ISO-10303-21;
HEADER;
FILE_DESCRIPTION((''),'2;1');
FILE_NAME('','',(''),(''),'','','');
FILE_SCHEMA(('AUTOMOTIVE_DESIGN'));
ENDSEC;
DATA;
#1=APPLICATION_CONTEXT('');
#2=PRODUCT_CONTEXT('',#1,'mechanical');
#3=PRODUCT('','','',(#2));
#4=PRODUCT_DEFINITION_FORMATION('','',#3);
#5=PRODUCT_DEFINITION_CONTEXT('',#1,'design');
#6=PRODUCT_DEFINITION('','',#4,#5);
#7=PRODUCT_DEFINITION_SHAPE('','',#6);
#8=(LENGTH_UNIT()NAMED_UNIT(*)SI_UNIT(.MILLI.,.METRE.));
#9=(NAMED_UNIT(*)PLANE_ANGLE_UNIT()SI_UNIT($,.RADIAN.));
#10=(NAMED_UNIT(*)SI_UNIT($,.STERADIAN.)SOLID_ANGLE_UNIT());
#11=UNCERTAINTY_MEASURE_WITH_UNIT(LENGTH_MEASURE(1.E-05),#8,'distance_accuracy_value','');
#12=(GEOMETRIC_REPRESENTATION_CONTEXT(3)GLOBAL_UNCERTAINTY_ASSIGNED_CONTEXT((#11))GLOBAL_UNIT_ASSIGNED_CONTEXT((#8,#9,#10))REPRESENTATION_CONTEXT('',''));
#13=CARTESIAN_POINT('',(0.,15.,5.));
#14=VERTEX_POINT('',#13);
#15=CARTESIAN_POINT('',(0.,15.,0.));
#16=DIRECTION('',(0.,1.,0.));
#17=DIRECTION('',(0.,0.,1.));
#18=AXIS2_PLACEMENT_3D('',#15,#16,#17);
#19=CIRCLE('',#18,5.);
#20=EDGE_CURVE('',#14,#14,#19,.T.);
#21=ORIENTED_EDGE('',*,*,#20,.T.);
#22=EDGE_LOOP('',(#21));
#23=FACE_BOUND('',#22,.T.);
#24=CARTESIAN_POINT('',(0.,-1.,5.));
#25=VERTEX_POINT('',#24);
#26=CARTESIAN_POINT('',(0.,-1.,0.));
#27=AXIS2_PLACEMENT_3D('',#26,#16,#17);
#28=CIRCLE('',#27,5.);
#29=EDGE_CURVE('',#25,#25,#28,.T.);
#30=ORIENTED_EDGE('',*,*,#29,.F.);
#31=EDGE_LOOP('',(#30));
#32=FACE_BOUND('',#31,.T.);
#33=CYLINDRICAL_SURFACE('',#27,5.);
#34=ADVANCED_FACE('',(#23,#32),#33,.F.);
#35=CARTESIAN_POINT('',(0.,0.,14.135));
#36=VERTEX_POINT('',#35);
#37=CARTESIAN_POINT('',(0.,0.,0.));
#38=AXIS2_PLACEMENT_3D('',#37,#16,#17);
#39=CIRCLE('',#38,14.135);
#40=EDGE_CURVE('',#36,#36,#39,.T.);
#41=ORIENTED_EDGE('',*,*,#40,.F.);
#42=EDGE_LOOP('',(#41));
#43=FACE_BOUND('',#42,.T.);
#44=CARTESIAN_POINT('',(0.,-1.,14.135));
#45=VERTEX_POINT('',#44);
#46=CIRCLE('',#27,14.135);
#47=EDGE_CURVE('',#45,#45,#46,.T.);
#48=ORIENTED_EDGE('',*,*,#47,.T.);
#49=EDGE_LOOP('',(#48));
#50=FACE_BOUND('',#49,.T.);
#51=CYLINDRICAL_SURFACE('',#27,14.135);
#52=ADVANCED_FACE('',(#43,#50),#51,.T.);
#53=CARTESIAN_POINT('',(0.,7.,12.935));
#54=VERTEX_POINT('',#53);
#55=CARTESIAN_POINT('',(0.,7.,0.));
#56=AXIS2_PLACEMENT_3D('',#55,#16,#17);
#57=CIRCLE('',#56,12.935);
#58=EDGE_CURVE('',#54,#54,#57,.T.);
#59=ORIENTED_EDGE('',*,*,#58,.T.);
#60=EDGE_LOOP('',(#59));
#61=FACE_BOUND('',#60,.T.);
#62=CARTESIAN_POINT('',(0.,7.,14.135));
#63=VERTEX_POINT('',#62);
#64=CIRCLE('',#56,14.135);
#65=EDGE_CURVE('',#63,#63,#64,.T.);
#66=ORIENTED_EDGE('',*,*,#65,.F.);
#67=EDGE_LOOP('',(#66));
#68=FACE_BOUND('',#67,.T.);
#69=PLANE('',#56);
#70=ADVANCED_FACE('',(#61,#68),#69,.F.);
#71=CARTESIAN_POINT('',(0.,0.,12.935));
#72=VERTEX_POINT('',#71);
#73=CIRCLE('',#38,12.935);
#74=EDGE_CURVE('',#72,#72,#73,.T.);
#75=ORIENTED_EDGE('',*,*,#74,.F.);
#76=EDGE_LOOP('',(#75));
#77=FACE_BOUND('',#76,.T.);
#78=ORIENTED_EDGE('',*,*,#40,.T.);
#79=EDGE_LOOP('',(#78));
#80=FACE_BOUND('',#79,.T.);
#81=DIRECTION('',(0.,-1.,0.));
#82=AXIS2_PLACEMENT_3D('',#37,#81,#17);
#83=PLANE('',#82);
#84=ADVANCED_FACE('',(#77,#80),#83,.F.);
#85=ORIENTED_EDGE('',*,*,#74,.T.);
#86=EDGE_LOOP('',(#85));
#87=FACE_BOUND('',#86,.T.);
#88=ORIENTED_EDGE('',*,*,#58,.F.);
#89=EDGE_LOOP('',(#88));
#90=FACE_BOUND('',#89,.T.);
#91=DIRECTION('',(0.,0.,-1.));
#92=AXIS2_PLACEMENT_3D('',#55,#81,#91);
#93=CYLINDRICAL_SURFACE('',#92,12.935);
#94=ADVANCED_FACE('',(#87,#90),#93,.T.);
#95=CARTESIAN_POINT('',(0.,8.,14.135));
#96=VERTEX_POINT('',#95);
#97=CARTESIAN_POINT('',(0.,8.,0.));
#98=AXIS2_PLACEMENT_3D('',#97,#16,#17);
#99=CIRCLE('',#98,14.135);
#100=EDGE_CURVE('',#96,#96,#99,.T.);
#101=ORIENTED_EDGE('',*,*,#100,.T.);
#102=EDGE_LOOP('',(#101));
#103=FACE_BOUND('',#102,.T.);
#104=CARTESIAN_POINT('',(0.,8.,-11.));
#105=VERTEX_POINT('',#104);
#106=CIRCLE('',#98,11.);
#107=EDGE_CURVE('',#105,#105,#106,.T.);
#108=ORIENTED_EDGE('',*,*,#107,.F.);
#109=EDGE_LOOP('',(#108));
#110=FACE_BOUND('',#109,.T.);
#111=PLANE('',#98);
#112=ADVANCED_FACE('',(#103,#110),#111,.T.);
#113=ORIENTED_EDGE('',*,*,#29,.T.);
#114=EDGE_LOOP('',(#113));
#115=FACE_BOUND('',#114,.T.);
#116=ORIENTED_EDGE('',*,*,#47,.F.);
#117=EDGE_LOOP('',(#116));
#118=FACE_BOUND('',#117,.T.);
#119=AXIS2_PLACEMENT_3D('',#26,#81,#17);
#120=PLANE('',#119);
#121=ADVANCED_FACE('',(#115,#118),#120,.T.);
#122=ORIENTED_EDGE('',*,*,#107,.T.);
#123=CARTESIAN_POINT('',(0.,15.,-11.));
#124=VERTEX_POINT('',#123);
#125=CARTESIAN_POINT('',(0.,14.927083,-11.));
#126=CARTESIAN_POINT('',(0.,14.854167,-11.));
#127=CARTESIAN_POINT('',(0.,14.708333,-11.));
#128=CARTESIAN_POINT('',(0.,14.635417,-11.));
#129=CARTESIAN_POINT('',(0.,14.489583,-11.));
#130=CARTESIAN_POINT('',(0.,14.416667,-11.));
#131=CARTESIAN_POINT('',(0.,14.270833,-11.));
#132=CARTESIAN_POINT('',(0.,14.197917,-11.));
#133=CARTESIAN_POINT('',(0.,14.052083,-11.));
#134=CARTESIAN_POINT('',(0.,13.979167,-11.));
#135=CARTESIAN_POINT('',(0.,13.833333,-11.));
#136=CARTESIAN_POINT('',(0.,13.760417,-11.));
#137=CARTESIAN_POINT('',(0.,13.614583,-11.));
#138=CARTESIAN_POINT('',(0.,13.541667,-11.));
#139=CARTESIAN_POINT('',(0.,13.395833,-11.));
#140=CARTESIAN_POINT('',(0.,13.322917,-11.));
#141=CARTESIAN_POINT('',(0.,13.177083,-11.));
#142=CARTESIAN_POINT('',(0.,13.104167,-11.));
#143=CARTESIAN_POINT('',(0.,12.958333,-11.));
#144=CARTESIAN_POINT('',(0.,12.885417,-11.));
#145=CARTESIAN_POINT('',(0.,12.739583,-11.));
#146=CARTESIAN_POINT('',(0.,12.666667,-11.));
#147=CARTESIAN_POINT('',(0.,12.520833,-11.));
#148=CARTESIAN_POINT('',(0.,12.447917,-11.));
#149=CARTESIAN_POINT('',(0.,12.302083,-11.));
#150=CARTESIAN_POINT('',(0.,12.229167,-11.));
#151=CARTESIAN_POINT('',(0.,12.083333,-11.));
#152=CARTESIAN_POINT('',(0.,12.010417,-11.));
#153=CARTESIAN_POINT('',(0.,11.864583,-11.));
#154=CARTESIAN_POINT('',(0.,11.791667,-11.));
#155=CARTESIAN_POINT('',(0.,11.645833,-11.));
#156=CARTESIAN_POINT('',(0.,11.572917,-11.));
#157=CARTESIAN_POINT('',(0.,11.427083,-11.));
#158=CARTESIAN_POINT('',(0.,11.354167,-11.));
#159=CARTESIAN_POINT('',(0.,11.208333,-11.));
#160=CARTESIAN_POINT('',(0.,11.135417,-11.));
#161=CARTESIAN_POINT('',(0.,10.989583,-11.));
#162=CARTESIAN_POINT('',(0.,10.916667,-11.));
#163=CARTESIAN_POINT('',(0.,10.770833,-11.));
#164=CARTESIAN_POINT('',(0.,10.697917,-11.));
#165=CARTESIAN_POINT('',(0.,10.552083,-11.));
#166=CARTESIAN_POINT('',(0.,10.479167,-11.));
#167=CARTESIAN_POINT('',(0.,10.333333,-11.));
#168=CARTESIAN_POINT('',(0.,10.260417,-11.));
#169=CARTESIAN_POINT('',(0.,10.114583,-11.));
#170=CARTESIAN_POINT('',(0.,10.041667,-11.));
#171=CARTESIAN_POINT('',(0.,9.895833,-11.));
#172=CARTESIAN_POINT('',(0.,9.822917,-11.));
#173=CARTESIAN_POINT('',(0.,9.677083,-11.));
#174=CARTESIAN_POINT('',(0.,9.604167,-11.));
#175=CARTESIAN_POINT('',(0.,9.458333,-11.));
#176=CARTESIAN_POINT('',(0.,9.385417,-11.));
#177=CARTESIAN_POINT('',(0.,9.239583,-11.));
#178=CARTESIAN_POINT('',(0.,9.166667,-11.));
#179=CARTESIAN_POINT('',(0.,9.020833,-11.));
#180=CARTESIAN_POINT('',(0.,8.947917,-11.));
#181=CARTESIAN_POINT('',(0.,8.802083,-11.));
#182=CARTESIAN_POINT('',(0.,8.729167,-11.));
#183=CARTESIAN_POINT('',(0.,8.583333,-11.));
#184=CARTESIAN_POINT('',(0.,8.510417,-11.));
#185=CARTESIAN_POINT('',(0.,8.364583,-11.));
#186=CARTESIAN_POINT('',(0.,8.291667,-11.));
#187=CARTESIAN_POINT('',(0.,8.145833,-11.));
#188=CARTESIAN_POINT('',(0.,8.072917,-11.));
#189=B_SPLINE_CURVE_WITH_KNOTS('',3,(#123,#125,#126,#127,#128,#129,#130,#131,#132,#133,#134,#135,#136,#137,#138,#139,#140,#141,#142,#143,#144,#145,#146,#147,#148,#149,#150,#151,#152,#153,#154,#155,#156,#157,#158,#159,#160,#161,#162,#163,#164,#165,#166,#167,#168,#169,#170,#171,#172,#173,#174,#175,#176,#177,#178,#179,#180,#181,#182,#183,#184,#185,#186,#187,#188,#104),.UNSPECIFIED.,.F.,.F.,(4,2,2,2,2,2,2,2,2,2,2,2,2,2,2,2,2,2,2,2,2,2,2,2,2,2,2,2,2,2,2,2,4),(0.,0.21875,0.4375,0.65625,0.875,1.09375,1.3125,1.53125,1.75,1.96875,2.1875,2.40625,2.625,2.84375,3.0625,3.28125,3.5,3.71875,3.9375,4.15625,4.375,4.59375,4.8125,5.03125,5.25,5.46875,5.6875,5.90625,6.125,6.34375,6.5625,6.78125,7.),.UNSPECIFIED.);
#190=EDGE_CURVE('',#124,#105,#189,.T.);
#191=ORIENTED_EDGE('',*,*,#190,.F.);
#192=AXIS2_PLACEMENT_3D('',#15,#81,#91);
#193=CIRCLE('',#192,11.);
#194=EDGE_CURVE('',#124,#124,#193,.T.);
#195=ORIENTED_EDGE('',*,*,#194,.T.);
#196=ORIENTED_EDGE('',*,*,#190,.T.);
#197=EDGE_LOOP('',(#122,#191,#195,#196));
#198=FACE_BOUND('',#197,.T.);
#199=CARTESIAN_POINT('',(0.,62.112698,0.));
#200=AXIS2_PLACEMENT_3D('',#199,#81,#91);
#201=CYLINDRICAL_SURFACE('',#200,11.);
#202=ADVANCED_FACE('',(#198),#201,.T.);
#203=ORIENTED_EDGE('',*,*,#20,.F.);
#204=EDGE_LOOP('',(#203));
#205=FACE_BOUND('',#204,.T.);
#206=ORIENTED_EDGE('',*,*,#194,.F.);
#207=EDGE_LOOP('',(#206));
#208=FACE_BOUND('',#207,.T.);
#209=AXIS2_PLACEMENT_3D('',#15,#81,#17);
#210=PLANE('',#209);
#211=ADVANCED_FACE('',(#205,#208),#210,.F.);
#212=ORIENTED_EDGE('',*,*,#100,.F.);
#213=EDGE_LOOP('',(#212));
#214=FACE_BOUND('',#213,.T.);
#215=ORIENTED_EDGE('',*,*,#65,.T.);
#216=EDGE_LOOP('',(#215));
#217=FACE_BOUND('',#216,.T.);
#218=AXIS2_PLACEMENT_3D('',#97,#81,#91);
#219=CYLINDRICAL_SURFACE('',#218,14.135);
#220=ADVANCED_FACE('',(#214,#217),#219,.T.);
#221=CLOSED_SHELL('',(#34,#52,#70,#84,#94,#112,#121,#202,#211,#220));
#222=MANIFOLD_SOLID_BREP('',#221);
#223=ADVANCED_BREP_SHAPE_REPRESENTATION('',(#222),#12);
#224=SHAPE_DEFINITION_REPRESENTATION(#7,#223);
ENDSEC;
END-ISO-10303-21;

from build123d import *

# Parameters (mm, degrees)
SKETCH_1_R          = 12.935
EXTRUDE_1_DEPTH     = 7
SKETCH_2_R          = 14.135
EXTRUDE_2_DEPTH     = 1
SKETCH_3_R          = 11
EXTRUDE_3_DEPTH     = 7
SKETCH_4_R          = 5
CUT_EXTRUDE_1_DEPTH = 26.604617748


with BuildPart() as part:
    # 草图1 → 凸台-拉伸1 (new body)
    with BuildSketch(Plane(origin=(0, 0, 0), x_dir=(1, 0, 0), z_dir=(0, 1, 0))):
        with Locations(Location((0, 0, 0), (0, 0, 270))):
            Circle(SKETCH_1_R)
    extrude(amount=EXTRUDE_1_DEPTH)

    # 草图2 → 凸台-拉伸2 (add)
    with BuildSketch(Plane(origin=(0, 7, 0), x_dir=(1, 0, 0), z_dir=(0, 1, 0))):
        with Locations(Location((0, 0, 0), (0, 0, 270))):
            Circle(SKETCH_2_R)
    extrude_2 = extrude(amount=EXTRUDE_2_DEPTH)

    # 镜向1: 凸台-拉伸2 across plane
    add(extrude_2.mirror(Plane.ZX.offset(3.5)))

    # 草图3 → 凸台-拉伸3 (add)
    with BuildSketch(Plane(origin=(0, 8, 0), x_dir=(1, 0, 0), z_dir=(0, 1, 0))):
        with Locations(Location((0, 0, 0), (0, 0, 90))):
            Circle(SKETCH_3_R)
    extrude(amount=EXTRUDE_3_DEPTH)

    # 草图4 → 切除-拉伸1 (cut, through all)
    with BuildSketch(Plane(origin=(0, 15, 0), x_dir=(1, 0, 0), z_dir=(0, 1, 0))):
        with Locations(Location((0, 0, 0), (0, 0, 270))):
            Circle(SKETCH_4_R)
    extrude(amount=-CUT_EXTRUDE_1_DEPTH, mode=Mode.SUBTRACT)


solid = part.part
